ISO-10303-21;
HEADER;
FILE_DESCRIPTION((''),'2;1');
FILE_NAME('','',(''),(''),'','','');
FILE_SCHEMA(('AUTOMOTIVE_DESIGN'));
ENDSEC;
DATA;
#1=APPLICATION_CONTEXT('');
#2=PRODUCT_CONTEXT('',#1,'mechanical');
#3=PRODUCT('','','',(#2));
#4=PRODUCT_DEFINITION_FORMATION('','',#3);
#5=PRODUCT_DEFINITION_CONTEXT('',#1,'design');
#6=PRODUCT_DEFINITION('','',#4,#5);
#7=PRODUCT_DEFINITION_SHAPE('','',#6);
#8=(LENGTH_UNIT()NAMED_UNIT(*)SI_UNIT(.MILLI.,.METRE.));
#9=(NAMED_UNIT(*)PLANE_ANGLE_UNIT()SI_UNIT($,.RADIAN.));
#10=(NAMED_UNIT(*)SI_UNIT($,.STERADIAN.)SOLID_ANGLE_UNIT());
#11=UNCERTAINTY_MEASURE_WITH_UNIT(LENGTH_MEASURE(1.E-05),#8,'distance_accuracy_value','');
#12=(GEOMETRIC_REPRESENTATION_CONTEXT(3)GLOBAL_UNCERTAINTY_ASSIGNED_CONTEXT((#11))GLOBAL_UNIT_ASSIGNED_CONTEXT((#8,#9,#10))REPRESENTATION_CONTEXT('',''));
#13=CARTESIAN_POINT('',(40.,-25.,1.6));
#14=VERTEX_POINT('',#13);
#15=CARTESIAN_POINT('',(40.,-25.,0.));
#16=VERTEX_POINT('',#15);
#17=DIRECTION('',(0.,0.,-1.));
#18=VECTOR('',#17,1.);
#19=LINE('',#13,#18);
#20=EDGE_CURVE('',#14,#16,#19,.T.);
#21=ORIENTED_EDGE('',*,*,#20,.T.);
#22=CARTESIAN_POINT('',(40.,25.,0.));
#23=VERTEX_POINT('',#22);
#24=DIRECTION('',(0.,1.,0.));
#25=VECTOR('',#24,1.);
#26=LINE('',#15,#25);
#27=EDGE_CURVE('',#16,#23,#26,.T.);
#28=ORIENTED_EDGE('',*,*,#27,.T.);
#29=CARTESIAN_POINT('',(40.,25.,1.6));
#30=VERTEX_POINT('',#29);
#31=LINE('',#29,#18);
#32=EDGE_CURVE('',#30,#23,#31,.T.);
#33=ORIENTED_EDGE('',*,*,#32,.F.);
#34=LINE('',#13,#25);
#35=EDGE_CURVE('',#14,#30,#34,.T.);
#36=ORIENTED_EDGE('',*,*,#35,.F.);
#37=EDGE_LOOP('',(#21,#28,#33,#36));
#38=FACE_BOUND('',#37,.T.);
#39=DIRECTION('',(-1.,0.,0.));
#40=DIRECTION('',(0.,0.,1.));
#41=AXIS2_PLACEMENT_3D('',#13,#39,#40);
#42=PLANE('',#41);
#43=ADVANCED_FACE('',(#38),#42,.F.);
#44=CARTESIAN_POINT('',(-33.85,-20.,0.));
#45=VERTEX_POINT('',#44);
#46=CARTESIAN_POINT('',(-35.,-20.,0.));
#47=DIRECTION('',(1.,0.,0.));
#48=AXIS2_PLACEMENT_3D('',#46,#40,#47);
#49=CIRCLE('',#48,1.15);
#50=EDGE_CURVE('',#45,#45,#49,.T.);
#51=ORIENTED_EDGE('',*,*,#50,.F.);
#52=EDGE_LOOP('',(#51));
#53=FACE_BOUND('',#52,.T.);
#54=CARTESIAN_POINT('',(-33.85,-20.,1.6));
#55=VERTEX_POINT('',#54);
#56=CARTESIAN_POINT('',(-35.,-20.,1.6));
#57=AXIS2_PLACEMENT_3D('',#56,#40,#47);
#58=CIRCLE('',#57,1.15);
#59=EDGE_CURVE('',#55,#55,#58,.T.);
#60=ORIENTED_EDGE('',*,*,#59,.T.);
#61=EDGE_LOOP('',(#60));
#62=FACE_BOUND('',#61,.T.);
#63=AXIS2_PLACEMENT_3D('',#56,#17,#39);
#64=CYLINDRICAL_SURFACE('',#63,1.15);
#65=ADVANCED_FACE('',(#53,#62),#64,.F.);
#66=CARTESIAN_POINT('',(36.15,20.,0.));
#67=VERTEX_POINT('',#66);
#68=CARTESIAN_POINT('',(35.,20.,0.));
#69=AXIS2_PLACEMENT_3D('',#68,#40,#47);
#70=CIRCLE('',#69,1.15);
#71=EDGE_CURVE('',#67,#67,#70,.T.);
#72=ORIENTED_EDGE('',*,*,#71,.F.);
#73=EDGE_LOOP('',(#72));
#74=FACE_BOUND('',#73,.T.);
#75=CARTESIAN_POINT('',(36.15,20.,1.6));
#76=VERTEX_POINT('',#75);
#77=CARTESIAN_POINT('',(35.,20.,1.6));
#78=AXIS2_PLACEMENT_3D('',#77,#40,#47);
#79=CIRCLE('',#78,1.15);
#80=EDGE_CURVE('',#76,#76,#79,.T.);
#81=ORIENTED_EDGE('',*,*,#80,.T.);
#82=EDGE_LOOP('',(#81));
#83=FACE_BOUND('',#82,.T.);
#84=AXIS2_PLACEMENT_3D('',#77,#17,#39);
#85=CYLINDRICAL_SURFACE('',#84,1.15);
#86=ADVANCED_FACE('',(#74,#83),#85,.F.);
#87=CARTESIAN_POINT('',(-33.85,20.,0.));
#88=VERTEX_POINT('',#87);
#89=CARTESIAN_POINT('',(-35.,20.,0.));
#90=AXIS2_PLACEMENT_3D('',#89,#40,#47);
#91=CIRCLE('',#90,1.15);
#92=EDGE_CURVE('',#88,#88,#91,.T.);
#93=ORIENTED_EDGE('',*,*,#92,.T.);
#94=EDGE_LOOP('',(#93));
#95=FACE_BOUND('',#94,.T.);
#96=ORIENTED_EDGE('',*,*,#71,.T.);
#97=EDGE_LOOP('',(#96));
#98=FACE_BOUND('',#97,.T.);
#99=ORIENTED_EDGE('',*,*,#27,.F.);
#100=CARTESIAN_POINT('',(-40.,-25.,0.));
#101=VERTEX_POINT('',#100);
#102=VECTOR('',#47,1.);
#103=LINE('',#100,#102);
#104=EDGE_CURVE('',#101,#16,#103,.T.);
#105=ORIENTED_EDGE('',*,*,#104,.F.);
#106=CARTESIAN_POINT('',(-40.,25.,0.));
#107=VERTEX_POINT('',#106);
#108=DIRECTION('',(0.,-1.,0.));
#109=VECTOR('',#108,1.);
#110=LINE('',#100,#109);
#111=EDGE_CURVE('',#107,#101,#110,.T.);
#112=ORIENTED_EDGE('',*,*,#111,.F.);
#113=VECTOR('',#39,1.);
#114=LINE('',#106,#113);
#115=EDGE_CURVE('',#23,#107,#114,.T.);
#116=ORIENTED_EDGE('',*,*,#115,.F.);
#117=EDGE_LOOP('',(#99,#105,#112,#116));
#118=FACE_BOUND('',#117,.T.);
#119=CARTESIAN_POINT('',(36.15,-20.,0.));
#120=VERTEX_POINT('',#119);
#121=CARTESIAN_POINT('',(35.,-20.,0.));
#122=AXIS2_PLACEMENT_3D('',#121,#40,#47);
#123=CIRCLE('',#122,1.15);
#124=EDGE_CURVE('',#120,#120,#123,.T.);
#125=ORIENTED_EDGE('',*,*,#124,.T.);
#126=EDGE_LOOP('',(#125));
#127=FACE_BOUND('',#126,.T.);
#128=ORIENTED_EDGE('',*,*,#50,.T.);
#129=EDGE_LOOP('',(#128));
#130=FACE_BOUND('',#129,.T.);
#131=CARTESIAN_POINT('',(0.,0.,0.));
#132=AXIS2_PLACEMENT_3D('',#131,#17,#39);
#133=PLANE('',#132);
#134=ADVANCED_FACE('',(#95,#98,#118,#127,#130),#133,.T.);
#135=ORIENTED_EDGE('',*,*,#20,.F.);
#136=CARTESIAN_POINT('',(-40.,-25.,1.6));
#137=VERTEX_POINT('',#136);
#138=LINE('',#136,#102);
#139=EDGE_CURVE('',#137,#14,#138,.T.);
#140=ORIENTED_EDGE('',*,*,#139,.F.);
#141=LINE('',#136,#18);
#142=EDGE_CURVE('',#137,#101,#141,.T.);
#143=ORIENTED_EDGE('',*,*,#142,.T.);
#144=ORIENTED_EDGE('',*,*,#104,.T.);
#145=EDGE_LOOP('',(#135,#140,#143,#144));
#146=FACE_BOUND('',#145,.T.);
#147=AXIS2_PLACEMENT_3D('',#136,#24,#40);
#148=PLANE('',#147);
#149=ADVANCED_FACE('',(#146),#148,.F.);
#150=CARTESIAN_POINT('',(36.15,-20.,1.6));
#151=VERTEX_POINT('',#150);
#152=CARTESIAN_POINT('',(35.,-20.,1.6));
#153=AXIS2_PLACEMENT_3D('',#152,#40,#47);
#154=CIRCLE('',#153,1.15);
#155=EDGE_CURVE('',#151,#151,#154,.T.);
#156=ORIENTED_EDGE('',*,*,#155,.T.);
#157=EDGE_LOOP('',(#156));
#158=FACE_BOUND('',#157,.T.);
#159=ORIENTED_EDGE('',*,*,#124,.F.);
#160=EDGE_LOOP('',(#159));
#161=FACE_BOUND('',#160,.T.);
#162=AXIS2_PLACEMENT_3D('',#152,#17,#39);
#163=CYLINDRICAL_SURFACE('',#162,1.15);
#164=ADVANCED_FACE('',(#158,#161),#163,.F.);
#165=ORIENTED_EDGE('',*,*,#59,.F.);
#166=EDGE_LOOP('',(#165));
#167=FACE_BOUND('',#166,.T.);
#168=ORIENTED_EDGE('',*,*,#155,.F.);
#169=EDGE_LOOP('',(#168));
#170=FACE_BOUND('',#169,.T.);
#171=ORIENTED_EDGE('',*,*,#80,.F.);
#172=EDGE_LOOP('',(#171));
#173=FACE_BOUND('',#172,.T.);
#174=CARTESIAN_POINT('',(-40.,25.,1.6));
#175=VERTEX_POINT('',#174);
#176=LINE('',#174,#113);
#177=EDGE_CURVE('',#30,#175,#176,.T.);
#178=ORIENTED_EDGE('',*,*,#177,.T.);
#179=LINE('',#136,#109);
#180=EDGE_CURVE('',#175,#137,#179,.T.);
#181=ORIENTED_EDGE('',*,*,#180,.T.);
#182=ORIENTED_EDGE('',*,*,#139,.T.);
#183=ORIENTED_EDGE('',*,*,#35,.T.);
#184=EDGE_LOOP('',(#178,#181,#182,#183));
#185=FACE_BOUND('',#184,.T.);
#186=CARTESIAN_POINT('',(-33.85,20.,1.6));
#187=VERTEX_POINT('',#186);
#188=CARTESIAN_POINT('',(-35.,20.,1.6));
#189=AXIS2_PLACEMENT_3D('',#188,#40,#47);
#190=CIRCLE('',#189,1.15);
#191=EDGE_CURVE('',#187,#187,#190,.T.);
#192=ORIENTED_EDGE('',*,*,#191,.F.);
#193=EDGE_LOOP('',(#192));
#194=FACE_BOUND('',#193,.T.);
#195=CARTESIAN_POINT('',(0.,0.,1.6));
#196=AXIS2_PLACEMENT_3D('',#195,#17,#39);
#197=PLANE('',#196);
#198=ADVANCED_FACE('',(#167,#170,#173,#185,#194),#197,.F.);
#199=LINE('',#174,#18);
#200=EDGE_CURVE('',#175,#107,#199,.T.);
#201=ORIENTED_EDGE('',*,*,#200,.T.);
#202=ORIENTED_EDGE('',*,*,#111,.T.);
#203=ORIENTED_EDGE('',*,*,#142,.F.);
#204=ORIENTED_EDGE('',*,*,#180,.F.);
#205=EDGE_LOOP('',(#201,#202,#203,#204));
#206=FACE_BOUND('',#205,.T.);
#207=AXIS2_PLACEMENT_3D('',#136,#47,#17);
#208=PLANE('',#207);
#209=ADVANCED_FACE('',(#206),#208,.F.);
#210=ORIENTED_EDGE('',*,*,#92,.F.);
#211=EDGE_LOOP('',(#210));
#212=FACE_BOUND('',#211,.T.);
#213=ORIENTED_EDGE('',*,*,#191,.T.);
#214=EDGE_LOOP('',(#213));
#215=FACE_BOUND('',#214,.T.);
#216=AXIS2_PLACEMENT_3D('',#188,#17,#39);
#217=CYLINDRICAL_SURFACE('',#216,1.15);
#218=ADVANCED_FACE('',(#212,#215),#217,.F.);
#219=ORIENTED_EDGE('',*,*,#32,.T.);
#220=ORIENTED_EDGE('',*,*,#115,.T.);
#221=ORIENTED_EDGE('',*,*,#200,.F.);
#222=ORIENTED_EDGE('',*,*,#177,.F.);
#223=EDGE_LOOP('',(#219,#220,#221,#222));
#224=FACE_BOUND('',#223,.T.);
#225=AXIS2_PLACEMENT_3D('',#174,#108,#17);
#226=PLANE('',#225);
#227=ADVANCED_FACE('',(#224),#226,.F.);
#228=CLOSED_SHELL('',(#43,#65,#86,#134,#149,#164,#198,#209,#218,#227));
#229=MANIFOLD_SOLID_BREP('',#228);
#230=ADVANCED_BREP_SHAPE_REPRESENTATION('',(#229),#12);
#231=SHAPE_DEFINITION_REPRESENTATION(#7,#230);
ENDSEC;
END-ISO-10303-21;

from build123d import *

# Parameters (mm, degrees)
SKETCH1_W           = 80
SKETCH1_H           = 50
SKETCH1_R           = 1.15
BOSS_EXTRUDE1_DEPTH = 1.6


with BuildPart() as part:
    # Sketch1 → Boss-Extrude1 (new body)
    with BuildSketch(Plane.XY):
        Rectangle(SKETCH1_W, SKETCH1_H)
        with Locations((-35, 20)):
            Circle(SKETCH1_R, mode=Mode.SUBTRACT)
        with Locations((-35, -20)):
            Circle(SKETCH1_R, mode=Mode.SUBTRACT)
        with Locations((35, 20)):
            Circle(SKETCH1_R, mode=Mode.SUBTRACT)
        with Locations((35, -20)):
            Circle(SKETCH1_R, mode=Mode.SUBTRACT)
    extrude(amount=BOSS_EXTRUDE1_DEPTH)


solid = part.part
